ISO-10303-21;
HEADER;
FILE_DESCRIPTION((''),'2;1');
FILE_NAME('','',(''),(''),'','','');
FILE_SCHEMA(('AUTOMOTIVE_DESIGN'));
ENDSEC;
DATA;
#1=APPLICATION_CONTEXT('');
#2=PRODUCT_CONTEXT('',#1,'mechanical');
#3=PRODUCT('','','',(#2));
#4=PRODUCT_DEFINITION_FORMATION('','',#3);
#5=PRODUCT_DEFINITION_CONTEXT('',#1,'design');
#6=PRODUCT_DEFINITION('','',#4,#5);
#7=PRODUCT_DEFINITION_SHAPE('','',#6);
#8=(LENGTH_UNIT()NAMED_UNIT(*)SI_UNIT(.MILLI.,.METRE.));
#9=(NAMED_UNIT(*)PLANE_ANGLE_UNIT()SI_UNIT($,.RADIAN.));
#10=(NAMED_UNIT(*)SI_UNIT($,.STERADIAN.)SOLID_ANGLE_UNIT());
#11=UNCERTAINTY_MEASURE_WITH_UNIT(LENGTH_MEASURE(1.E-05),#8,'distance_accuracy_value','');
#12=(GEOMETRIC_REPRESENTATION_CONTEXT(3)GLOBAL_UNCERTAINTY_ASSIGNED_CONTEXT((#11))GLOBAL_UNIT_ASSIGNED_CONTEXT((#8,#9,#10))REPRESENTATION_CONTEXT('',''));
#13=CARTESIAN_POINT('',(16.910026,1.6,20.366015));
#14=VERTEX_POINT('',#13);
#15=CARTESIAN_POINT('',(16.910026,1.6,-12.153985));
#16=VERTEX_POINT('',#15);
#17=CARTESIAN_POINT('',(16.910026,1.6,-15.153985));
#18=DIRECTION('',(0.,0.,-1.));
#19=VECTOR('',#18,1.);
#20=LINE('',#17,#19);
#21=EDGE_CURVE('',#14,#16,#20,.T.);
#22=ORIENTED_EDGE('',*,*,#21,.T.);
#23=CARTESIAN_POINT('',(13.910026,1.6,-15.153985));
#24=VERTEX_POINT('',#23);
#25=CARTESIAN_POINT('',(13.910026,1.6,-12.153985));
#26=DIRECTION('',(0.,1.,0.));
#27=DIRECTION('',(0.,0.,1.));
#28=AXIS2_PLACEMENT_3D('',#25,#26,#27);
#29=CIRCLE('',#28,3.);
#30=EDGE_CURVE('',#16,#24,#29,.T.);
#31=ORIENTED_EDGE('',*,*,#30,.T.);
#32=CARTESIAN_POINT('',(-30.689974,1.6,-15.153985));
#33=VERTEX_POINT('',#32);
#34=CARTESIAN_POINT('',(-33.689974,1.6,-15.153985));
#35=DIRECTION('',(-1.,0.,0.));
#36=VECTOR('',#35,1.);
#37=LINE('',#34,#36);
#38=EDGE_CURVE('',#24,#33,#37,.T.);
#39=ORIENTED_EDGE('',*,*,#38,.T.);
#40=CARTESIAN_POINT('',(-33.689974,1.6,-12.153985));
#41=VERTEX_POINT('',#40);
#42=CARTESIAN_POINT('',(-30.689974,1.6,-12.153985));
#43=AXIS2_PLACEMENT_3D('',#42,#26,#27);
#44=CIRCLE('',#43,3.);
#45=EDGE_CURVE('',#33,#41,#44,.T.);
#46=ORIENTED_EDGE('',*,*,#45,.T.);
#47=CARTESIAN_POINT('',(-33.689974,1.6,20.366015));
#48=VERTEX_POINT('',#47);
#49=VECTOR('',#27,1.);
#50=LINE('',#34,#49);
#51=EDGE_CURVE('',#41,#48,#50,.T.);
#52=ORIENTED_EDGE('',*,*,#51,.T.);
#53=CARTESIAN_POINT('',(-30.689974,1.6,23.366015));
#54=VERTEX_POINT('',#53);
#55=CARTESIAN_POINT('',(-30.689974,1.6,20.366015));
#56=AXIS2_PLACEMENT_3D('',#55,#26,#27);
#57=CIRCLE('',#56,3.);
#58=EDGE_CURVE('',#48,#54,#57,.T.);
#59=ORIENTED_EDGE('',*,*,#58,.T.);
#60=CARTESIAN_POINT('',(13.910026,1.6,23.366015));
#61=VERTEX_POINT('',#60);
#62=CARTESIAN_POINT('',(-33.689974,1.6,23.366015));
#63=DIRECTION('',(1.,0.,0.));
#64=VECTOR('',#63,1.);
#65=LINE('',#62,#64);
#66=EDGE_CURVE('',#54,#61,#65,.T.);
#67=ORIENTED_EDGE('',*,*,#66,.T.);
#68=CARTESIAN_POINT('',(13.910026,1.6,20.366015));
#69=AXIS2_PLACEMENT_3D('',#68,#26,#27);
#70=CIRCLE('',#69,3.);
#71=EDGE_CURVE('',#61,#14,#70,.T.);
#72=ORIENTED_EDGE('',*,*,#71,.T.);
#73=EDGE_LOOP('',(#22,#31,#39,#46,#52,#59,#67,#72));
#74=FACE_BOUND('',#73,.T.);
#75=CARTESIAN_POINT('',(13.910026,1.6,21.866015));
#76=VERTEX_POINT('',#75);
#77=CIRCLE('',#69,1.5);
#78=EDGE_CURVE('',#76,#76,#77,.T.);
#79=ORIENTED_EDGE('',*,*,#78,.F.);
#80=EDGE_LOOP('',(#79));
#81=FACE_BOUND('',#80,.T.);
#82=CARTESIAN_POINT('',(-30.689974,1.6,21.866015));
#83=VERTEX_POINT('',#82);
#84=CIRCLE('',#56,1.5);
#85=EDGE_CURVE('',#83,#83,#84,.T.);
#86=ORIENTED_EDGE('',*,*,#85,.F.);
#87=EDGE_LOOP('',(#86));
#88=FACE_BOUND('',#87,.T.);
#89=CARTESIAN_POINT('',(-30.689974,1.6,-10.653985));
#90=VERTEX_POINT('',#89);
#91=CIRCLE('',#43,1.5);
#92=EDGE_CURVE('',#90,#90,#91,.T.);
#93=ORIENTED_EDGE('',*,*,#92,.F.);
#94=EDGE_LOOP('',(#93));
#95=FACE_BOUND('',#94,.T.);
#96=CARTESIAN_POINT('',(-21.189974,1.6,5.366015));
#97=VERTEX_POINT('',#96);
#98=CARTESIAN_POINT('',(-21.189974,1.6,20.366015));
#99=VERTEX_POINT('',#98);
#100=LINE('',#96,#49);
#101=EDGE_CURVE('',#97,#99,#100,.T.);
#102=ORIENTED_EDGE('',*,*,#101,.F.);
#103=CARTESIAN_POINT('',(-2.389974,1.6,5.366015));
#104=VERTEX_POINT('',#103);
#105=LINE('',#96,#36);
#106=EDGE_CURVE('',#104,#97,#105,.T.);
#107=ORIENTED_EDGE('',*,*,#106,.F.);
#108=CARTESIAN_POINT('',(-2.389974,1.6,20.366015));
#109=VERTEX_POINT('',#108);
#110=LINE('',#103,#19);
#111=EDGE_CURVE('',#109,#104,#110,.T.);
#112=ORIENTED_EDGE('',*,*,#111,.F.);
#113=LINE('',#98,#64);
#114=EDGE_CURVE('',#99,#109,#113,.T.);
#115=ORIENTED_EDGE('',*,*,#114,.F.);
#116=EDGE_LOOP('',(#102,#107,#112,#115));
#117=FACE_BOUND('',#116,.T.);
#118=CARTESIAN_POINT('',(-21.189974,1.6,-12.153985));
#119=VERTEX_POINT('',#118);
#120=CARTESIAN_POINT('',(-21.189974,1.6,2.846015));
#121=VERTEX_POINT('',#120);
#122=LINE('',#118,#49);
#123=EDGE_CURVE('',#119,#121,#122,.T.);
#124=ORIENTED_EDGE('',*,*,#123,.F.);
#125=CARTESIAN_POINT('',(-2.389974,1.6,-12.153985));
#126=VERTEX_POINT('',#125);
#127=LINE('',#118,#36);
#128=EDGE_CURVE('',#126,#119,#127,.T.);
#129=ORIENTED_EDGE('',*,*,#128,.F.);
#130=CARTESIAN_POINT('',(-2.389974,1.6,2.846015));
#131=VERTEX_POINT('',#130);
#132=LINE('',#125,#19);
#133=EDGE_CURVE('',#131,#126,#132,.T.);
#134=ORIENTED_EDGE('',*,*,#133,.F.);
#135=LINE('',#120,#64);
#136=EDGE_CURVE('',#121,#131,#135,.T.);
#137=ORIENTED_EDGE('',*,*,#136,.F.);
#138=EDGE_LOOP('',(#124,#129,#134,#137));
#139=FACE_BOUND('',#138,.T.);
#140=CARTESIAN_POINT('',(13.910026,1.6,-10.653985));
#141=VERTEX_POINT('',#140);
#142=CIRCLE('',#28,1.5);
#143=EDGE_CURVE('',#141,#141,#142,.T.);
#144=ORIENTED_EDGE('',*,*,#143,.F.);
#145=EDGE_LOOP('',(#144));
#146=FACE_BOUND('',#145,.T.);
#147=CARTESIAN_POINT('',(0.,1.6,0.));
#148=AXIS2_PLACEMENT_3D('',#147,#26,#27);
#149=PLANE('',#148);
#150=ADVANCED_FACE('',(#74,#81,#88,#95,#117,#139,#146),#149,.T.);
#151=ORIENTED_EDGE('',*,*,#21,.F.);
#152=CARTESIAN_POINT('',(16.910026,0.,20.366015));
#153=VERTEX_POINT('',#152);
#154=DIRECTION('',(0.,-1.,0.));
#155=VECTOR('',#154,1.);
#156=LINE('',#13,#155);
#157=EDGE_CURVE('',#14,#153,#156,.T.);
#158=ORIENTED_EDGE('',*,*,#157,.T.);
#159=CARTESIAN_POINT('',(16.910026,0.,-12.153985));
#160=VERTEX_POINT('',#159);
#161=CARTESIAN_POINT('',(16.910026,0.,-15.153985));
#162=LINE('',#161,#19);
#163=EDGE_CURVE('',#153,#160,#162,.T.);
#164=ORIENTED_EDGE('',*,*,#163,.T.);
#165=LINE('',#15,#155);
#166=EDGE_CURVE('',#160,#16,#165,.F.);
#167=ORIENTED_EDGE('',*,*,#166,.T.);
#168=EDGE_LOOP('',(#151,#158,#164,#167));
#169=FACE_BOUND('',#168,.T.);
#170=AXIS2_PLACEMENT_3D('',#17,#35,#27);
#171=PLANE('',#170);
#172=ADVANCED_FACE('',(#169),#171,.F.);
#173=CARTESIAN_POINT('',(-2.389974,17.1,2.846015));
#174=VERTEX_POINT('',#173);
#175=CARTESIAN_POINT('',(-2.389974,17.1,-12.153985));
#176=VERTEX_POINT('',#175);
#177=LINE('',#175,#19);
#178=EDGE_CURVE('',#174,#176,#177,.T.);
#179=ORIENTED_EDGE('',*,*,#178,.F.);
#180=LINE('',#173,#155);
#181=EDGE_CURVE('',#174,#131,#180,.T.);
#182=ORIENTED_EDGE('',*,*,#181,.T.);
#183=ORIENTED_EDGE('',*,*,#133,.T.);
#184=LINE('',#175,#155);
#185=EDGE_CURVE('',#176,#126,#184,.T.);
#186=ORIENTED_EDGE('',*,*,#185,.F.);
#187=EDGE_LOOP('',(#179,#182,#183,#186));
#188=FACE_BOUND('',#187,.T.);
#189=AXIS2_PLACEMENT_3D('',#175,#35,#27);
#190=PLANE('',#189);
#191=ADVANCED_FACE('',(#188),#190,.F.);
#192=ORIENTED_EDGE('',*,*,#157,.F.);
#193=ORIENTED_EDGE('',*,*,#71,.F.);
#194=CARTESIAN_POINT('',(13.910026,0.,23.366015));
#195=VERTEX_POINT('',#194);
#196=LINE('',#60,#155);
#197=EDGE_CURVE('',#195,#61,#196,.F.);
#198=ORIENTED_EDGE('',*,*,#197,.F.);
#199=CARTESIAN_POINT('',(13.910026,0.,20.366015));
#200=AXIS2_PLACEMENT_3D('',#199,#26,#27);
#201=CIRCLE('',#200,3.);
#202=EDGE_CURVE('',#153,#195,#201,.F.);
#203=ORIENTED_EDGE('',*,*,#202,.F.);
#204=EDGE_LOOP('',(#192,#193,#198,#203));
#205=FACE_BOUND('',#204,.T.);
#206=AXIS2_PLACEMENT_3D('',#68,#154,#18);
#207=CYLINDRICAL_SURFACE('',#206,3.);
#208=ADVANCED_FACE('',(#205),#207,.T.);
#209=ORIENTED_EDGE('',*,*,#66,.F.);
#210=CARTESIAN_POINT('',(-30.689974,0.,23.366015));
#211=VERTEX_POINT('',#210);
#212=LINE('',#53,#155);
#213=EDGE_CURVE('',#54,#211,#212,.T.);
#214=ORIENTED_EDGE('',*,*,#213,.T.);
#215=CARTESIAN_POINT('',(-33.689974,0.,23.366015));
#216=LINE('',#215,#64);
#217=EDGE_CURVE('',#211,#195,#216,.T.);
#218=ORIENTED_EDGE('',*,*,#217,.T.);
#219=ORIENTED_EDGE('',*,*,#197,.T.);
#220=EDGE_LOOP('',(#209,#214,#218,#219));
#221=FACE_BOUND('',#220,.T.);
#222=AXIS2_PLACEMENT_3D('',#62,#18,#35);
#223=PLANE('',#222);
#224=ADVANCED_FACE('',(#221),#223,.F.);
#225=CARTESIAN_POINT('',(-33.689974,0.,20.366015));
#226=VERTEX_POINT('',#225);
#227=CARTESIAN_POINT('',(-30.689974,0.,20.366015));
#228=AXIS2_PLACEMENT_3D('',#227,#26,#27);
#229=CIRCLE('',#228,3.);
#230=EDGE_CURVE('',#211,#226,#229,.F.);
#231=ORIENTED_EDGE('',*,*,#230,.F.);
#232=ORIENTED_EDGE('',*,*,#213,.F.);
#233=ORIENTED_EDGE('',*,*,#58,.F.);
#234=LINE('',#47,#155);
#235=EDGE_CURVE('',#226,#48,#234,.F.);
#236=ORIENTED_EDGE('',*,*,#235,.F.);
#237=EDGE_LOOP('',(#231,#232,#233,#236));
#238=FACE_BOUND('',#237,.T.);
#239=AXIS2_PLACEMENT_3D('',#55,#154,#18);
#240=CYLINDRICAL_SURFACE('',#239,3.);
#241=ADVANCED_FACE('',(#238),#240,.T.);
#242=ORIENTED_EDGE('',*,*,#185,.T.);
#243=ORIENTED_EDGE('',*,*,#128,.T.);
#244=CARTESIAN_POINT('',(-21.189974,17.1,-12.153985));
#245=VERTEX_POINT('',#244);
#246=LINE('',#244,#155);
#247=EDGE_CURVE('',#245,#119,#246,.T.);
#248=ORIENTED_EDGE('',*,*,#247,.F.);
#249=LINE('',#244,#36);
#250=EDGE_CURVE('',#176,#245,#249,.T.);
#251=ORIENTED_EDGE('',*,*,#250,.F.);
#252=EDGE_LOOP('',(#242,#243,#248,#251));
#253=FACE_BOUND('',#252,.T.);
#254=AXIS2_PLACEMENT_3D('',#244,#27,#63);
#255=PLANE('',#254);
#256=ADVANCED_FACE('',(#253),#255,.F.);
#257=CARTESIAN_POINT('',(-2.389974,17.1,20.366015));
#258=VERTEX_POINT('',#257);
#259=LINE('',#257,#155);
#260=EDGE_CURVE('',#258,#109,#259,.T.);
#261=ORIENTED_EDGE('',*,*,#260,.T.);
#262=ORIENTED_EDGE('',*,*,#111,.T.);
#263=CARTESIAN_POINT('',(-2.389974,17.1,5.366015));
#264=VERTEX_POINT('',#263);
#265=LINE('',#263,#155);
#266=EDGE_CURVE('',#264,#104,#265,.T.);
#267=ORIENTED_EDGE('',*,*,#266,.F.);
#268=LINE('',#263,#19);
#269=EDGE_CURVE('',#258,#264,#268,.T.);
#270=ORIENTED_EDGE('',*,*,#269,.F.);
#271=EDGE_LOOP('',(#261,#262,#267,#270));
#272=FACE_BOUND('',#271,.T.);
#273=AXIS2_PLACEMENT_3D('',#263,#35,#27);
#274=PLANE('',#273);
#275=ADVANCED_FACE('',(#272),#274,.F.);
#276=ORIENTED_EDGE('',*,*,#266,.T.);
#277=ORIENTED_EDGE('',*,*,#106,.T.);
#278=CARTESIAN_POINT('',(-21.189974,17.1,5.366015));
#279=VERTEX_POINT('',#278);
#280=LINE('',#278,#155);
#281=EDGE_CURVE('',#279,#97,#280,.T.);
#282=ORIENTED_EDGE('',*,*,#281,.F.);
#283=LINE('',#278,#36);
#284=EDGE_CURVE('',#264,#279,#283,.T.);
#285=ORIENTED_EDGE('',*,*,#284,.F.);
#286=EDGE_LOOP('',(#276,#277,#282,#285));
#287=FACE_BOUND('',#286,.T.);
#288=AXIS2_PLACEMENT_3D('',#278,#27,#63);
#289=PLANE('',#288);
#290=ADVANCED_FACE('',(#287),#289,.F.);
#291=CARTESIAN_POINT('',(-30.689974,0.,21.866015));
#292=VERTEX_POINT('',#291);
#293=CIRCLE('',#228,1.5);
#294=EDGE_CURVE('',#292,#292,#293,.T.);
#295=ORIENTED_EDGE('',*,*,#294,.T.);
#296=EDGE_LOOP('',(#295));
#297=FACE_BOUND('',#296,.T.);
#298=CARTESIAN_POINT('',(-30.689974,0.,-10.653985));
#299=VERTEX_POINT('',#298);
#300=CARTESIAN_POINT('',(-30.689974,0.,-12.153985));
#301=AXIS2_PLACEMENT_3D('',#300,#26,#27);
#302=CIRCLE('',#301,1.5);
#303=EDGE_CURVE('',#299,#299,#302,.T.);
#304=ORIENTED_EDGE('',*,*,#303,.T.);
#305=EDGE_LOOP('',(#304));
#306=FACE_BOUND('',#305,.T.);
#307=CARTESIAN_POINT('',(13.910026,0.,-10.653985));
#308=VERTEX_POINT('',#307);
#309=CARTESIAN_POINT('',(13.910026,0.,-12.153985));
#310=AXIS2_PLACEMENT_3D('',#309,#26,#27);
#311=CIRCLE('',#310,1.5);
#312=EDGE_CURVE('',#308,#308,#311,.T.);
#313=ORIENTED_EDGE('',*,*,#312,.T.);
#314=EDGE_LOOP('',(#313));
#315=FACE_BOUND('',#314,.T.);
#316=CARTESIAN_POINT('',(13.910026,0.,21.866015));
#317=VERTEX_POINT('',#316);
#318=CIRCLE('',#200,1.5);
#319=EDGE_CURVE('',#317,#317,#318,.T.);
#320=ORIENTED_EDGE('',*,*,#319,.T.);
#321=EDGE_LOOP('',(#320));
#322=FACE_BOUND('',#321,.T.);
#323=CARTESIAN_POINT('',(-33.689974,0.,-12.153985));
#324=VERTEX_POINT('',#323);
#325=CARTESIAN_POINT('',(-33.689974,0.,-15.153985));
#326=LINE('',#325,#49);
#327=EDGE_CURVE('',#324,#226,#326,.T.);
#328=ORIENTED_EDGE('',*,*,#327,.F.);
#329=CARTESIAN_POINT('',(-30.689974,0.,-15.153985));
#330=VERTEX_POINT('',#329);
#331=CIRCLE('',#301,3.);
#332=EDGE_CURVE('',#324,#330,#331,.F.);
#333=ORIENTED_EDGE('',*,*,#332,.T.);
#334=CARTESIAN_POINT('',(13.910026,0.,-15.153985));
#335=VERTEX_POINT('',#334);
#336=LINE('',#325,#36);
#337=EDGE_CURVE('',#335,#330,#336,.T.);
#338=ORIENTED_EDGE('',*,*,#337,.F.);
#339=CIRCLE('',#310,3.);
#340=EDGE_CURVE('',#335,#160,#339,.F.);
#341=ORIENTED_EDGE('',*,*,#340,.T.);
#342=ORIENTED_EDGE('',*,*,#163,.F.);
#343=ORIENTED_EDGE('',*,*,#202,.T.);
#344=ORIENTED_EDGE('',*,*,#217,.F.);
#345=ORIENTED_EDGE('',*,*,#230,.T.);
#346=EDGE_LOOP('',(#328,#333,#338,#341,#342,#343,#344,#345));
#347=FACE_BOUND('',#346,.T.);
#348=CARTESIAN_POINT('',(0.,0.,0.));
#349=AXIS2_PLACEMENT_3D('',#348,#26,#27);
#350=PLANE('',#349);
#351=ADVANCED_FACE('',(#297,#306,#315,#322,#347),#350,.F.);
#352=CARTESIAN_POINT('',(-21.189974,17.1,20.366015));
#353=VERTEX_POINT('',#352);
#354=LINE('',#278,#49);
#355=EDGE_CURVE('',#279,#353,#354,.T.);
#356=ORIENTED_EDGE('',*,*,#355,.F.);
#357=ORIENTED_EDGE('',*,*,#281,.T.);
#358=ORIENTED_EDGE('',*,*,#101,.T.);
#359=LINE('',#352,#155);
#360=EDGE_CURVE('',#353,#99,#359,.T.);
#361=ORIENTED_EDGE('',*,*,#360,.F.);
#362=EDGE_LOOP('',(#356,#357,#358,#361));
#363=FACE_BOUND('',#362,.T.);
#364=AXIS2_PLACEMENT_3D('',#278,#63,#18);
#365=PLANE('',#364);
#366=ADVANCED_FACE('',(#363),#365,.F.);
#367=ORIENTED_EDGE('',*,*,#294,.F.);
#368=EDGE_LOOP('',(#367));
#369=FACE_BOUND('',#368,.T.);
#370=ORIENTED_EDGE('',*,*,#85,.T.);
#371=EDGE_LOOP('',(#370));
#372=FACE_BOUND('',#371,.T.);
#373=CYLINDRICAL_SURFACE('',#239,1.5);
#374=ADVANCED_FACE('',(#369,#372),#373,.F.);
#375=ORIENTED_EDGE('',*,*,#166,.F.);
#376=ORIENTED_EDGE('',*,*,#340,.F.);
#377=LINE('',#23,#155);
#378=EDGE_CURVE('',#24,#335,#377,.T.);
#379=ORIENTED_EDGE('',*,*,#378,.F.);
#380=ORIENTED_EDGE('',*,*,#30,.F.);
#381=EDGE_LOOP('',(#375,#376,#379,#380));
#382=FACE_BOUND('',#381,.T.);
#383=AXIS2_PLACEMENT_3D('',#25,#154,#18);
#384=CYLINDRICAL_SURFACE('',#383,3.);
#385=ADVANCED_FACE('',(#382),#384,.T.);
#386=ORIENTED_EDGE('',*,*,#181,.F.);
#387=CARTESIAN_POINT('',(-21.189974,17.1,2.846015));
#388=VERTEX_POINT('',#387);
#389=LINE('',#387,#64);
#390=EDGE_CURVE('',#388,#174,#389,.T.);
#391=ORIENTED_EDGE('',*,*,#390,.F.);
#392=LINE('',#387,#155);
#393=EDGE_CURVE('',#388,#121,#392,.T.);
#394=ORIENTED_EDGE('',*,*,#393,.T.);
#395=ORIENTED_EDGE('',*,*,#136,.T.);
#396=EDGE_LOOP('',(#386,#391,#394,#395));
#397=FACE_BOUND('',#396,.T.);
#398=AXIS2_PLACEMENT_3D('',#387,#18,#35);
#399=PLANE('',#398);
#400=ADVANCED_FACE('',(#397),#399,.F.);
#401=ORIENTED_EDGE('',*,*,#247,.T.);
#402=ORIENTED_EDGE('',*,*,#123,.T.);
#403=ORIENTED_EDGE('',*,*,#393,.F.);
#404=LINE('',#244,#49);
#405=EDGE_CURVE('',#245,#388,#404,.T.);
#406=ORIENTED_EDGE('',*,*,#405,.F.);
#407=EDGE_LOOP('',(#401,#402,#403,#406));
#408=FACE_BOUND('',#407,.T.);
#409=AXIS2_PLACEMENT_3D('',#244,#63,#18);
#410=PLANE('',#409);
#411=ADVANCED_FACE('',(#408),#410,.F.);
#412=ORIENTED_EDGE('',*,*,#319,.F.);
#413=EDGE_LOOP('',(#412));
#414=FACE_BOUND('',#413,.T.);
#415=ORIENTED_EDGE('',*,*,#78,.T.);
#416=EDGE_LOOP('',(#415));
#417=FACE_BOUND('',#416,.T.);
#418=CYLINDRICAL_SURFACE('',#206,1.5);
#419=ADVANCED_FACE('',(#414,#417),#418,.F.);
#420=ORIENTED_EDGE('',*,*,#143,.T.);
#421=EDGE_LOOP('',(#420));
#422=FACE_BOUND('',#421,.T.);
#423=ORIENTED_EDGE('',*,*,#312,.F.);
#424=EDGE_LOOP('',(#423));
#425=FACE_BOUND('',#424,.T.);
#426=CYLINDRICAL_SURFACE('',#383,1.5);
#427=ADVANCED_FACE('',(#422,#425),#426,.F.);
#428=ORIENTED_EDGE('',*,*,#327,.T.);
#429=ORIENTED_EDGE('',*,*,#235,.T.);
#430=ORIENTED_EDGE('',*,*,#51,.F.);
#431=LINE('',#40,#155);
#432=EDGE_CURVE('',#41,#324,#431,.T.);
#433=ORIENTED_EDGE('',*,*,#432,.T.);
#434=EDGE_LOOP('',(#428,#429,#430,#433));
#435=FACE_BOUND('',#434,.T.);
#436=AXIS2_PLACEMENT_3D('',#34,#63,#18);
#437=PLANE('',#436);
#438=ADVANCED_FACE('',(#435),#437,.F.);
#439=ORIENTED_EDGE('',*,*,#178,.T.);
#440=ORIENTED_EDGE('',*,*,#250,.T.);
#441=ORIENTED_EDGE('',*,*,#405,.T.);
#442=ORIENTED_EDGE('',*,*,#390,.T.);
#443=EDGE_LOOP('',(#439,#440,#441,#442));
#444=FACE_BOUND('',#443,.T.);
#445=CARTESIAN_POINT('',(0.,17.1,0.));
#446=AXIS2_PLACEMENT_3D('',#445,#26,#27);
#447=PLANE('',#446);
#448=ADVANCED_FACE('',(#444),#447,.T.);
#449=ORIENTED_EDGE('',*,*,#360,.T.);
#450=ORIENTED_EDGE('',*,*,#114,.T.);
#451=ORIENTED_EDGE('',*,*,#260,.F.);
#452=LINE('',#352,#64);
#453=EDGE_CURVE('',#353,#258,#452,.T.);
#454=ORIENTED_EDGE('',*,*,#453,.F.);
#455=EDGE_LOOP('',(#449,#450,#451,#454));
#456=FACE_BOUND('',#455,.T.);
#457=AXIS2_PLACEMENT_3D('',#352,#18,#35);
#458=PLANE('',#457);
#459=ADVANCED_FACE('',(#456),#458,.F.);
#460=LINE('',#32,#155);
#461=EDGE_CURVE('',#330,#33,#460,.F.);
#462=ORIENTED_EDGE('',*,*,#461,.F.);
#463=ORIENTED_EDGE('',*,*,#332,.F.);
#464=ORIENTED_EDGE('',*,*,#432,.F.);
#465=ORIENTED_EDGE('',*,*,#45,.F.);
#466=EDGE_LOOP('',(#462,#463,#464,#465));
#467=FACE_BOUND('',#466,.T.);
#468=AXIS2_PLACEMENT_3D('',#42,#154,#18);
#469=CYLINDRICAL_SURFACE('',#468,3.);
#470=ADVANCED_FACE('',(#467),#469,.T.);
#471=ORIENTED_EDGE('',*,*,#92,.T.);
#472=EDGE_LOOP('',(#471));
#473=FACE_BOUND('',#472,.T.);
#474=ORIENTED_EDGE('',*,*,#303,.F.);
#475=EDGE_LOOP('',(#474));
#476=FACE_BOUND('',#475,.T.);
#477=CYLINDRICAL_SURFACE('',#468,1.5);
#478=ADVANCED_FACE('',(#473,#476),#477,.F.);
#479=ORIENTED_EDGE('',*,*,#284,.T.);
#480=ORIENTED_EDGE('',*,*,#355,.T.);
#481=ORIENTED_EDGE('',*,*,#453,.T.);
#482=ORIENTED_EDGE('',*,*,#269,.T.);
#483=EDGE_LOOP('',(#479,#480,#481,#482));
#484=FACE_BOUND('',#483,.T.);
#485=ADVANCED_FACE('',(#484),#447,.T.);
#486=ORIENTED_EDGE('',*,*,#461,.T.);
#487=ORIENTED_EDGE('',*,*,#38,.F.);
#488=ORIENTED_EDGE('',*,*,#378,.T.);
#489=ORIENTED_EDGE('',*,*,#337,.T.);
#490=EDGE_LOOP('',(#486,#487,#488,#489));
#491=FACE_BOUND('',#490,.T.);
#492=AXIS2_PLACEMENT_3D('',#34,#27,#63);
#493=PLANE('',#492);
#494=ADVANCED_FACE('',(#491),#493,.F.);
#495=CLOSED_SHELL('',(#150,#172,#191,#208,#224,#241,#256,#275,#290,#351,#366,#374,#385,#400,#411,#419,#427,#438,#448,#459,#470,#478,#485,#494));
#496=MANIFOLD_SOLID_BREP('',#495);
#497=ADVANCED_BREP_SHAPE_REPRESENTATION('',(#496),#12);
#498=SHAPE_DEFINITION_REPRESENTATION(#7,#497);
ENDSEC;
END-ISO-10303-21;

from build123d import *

# Parameters (mm, degrees)
SKETCH1_W           = 50.6
SKETCH1_H           = 38.52
SKETCH1_R           = 1.5
BOSS_EXTRUDE1_DEPTH = 1.6
FILLET1_R           = 3
FILLET2_R           = 3
FILLET3_R           = 3
FILLET4_R           = 3
SKETCH2_W           = 18.8
SKETCH2_H           = 15
BOSS_EXTRUDE2_DEPTH = 15.5


with BuildPart() as part:
    # Sketch1 → Boss-Extrude1 (new body)
    with BuildSketch(Plane(origin=(0, 0, 0), x_dir=(1, 0, 0), z_dir=(0, 1, 0))):
        with Locations((-8.389974293, -4.106015424)):
            Rectangle(SKETCH1_W, SKETCH1_H)
        with Locations(Location((13.910025707, 12.153984576, 0), (0, 0, 270))):
            Circle(SKETCH1_R, mode=Mode.SUBTRACT)
        with Locations(Location((13.910025707, -20.366015424, 0), (0, 0, 270))):
            Circle(SKETCH1_R, mode=Mode.SUBTRACT)
        with Locations(Location((-30.689974293, -20.366015424, 0), (0, 0, 270))):
            Circle(SKETCH1_R, mode=Mode.SUBTRACT)
        with Locations(Location((-30.689974293, 12.153984576, 0), (0, 0, 270))):
            Circle(SKETCH1_R, mode=Mode.SUBTRACT)
    extrude(amount=BOSS_EXTRUDE1_DEPTH)

    # Fillet1
    fillet1_edges = [part.edges().sort_by_distance(p)[0] for p in [
        (16.910025707, 0.8, -15.153984576),
    ]]
    fillet(fillet1_edges, radius=FILLET1_R)

    # Fillet2
    fillet2_edges = [part.edges().sort_by_distance(p)[0] for p in [
        (-33.689974293, 0.8, -15.153984576),
    ]]
    fillet(fillet2_edges, radius=FILLET2_R)

    # Fillet3
    fillet3_edges = [part.edges().sort_by_distance(p)[0] for p in [
        (-33.689974293, 0.8, 23.366015424),
    ]]
    fillet(fillet3_edges, radius=FILLET3_R)

    # Fillet4
    fillet4_edges = [part.edges().sort_by_distance(p)[0] for p in [
        (16.910025707, 0.8, 23.366015424),
    ]]
    fillet(fillet4_edges, radius=FILLET4_R)

    # Sketch2 → Boss-Extrude2 (add)
    with BuildSketch(Plane(origin=(0, 1.6, 0), x_dir=(1, 0, 0), z_dir=(0, 1, 0))):
        with Locations((-11.789974293, 4.653984576)):
            Rectangle(SKETCH2_W, SKETCH2_H)
        with Locations((-11.789974293, -12.866015424)):
            Rectangle(SKETCH2_W, SKETCH2_H)
    extrude(amount=BOSS_EXTRUDE2_DEPTH)


solid = part.part
